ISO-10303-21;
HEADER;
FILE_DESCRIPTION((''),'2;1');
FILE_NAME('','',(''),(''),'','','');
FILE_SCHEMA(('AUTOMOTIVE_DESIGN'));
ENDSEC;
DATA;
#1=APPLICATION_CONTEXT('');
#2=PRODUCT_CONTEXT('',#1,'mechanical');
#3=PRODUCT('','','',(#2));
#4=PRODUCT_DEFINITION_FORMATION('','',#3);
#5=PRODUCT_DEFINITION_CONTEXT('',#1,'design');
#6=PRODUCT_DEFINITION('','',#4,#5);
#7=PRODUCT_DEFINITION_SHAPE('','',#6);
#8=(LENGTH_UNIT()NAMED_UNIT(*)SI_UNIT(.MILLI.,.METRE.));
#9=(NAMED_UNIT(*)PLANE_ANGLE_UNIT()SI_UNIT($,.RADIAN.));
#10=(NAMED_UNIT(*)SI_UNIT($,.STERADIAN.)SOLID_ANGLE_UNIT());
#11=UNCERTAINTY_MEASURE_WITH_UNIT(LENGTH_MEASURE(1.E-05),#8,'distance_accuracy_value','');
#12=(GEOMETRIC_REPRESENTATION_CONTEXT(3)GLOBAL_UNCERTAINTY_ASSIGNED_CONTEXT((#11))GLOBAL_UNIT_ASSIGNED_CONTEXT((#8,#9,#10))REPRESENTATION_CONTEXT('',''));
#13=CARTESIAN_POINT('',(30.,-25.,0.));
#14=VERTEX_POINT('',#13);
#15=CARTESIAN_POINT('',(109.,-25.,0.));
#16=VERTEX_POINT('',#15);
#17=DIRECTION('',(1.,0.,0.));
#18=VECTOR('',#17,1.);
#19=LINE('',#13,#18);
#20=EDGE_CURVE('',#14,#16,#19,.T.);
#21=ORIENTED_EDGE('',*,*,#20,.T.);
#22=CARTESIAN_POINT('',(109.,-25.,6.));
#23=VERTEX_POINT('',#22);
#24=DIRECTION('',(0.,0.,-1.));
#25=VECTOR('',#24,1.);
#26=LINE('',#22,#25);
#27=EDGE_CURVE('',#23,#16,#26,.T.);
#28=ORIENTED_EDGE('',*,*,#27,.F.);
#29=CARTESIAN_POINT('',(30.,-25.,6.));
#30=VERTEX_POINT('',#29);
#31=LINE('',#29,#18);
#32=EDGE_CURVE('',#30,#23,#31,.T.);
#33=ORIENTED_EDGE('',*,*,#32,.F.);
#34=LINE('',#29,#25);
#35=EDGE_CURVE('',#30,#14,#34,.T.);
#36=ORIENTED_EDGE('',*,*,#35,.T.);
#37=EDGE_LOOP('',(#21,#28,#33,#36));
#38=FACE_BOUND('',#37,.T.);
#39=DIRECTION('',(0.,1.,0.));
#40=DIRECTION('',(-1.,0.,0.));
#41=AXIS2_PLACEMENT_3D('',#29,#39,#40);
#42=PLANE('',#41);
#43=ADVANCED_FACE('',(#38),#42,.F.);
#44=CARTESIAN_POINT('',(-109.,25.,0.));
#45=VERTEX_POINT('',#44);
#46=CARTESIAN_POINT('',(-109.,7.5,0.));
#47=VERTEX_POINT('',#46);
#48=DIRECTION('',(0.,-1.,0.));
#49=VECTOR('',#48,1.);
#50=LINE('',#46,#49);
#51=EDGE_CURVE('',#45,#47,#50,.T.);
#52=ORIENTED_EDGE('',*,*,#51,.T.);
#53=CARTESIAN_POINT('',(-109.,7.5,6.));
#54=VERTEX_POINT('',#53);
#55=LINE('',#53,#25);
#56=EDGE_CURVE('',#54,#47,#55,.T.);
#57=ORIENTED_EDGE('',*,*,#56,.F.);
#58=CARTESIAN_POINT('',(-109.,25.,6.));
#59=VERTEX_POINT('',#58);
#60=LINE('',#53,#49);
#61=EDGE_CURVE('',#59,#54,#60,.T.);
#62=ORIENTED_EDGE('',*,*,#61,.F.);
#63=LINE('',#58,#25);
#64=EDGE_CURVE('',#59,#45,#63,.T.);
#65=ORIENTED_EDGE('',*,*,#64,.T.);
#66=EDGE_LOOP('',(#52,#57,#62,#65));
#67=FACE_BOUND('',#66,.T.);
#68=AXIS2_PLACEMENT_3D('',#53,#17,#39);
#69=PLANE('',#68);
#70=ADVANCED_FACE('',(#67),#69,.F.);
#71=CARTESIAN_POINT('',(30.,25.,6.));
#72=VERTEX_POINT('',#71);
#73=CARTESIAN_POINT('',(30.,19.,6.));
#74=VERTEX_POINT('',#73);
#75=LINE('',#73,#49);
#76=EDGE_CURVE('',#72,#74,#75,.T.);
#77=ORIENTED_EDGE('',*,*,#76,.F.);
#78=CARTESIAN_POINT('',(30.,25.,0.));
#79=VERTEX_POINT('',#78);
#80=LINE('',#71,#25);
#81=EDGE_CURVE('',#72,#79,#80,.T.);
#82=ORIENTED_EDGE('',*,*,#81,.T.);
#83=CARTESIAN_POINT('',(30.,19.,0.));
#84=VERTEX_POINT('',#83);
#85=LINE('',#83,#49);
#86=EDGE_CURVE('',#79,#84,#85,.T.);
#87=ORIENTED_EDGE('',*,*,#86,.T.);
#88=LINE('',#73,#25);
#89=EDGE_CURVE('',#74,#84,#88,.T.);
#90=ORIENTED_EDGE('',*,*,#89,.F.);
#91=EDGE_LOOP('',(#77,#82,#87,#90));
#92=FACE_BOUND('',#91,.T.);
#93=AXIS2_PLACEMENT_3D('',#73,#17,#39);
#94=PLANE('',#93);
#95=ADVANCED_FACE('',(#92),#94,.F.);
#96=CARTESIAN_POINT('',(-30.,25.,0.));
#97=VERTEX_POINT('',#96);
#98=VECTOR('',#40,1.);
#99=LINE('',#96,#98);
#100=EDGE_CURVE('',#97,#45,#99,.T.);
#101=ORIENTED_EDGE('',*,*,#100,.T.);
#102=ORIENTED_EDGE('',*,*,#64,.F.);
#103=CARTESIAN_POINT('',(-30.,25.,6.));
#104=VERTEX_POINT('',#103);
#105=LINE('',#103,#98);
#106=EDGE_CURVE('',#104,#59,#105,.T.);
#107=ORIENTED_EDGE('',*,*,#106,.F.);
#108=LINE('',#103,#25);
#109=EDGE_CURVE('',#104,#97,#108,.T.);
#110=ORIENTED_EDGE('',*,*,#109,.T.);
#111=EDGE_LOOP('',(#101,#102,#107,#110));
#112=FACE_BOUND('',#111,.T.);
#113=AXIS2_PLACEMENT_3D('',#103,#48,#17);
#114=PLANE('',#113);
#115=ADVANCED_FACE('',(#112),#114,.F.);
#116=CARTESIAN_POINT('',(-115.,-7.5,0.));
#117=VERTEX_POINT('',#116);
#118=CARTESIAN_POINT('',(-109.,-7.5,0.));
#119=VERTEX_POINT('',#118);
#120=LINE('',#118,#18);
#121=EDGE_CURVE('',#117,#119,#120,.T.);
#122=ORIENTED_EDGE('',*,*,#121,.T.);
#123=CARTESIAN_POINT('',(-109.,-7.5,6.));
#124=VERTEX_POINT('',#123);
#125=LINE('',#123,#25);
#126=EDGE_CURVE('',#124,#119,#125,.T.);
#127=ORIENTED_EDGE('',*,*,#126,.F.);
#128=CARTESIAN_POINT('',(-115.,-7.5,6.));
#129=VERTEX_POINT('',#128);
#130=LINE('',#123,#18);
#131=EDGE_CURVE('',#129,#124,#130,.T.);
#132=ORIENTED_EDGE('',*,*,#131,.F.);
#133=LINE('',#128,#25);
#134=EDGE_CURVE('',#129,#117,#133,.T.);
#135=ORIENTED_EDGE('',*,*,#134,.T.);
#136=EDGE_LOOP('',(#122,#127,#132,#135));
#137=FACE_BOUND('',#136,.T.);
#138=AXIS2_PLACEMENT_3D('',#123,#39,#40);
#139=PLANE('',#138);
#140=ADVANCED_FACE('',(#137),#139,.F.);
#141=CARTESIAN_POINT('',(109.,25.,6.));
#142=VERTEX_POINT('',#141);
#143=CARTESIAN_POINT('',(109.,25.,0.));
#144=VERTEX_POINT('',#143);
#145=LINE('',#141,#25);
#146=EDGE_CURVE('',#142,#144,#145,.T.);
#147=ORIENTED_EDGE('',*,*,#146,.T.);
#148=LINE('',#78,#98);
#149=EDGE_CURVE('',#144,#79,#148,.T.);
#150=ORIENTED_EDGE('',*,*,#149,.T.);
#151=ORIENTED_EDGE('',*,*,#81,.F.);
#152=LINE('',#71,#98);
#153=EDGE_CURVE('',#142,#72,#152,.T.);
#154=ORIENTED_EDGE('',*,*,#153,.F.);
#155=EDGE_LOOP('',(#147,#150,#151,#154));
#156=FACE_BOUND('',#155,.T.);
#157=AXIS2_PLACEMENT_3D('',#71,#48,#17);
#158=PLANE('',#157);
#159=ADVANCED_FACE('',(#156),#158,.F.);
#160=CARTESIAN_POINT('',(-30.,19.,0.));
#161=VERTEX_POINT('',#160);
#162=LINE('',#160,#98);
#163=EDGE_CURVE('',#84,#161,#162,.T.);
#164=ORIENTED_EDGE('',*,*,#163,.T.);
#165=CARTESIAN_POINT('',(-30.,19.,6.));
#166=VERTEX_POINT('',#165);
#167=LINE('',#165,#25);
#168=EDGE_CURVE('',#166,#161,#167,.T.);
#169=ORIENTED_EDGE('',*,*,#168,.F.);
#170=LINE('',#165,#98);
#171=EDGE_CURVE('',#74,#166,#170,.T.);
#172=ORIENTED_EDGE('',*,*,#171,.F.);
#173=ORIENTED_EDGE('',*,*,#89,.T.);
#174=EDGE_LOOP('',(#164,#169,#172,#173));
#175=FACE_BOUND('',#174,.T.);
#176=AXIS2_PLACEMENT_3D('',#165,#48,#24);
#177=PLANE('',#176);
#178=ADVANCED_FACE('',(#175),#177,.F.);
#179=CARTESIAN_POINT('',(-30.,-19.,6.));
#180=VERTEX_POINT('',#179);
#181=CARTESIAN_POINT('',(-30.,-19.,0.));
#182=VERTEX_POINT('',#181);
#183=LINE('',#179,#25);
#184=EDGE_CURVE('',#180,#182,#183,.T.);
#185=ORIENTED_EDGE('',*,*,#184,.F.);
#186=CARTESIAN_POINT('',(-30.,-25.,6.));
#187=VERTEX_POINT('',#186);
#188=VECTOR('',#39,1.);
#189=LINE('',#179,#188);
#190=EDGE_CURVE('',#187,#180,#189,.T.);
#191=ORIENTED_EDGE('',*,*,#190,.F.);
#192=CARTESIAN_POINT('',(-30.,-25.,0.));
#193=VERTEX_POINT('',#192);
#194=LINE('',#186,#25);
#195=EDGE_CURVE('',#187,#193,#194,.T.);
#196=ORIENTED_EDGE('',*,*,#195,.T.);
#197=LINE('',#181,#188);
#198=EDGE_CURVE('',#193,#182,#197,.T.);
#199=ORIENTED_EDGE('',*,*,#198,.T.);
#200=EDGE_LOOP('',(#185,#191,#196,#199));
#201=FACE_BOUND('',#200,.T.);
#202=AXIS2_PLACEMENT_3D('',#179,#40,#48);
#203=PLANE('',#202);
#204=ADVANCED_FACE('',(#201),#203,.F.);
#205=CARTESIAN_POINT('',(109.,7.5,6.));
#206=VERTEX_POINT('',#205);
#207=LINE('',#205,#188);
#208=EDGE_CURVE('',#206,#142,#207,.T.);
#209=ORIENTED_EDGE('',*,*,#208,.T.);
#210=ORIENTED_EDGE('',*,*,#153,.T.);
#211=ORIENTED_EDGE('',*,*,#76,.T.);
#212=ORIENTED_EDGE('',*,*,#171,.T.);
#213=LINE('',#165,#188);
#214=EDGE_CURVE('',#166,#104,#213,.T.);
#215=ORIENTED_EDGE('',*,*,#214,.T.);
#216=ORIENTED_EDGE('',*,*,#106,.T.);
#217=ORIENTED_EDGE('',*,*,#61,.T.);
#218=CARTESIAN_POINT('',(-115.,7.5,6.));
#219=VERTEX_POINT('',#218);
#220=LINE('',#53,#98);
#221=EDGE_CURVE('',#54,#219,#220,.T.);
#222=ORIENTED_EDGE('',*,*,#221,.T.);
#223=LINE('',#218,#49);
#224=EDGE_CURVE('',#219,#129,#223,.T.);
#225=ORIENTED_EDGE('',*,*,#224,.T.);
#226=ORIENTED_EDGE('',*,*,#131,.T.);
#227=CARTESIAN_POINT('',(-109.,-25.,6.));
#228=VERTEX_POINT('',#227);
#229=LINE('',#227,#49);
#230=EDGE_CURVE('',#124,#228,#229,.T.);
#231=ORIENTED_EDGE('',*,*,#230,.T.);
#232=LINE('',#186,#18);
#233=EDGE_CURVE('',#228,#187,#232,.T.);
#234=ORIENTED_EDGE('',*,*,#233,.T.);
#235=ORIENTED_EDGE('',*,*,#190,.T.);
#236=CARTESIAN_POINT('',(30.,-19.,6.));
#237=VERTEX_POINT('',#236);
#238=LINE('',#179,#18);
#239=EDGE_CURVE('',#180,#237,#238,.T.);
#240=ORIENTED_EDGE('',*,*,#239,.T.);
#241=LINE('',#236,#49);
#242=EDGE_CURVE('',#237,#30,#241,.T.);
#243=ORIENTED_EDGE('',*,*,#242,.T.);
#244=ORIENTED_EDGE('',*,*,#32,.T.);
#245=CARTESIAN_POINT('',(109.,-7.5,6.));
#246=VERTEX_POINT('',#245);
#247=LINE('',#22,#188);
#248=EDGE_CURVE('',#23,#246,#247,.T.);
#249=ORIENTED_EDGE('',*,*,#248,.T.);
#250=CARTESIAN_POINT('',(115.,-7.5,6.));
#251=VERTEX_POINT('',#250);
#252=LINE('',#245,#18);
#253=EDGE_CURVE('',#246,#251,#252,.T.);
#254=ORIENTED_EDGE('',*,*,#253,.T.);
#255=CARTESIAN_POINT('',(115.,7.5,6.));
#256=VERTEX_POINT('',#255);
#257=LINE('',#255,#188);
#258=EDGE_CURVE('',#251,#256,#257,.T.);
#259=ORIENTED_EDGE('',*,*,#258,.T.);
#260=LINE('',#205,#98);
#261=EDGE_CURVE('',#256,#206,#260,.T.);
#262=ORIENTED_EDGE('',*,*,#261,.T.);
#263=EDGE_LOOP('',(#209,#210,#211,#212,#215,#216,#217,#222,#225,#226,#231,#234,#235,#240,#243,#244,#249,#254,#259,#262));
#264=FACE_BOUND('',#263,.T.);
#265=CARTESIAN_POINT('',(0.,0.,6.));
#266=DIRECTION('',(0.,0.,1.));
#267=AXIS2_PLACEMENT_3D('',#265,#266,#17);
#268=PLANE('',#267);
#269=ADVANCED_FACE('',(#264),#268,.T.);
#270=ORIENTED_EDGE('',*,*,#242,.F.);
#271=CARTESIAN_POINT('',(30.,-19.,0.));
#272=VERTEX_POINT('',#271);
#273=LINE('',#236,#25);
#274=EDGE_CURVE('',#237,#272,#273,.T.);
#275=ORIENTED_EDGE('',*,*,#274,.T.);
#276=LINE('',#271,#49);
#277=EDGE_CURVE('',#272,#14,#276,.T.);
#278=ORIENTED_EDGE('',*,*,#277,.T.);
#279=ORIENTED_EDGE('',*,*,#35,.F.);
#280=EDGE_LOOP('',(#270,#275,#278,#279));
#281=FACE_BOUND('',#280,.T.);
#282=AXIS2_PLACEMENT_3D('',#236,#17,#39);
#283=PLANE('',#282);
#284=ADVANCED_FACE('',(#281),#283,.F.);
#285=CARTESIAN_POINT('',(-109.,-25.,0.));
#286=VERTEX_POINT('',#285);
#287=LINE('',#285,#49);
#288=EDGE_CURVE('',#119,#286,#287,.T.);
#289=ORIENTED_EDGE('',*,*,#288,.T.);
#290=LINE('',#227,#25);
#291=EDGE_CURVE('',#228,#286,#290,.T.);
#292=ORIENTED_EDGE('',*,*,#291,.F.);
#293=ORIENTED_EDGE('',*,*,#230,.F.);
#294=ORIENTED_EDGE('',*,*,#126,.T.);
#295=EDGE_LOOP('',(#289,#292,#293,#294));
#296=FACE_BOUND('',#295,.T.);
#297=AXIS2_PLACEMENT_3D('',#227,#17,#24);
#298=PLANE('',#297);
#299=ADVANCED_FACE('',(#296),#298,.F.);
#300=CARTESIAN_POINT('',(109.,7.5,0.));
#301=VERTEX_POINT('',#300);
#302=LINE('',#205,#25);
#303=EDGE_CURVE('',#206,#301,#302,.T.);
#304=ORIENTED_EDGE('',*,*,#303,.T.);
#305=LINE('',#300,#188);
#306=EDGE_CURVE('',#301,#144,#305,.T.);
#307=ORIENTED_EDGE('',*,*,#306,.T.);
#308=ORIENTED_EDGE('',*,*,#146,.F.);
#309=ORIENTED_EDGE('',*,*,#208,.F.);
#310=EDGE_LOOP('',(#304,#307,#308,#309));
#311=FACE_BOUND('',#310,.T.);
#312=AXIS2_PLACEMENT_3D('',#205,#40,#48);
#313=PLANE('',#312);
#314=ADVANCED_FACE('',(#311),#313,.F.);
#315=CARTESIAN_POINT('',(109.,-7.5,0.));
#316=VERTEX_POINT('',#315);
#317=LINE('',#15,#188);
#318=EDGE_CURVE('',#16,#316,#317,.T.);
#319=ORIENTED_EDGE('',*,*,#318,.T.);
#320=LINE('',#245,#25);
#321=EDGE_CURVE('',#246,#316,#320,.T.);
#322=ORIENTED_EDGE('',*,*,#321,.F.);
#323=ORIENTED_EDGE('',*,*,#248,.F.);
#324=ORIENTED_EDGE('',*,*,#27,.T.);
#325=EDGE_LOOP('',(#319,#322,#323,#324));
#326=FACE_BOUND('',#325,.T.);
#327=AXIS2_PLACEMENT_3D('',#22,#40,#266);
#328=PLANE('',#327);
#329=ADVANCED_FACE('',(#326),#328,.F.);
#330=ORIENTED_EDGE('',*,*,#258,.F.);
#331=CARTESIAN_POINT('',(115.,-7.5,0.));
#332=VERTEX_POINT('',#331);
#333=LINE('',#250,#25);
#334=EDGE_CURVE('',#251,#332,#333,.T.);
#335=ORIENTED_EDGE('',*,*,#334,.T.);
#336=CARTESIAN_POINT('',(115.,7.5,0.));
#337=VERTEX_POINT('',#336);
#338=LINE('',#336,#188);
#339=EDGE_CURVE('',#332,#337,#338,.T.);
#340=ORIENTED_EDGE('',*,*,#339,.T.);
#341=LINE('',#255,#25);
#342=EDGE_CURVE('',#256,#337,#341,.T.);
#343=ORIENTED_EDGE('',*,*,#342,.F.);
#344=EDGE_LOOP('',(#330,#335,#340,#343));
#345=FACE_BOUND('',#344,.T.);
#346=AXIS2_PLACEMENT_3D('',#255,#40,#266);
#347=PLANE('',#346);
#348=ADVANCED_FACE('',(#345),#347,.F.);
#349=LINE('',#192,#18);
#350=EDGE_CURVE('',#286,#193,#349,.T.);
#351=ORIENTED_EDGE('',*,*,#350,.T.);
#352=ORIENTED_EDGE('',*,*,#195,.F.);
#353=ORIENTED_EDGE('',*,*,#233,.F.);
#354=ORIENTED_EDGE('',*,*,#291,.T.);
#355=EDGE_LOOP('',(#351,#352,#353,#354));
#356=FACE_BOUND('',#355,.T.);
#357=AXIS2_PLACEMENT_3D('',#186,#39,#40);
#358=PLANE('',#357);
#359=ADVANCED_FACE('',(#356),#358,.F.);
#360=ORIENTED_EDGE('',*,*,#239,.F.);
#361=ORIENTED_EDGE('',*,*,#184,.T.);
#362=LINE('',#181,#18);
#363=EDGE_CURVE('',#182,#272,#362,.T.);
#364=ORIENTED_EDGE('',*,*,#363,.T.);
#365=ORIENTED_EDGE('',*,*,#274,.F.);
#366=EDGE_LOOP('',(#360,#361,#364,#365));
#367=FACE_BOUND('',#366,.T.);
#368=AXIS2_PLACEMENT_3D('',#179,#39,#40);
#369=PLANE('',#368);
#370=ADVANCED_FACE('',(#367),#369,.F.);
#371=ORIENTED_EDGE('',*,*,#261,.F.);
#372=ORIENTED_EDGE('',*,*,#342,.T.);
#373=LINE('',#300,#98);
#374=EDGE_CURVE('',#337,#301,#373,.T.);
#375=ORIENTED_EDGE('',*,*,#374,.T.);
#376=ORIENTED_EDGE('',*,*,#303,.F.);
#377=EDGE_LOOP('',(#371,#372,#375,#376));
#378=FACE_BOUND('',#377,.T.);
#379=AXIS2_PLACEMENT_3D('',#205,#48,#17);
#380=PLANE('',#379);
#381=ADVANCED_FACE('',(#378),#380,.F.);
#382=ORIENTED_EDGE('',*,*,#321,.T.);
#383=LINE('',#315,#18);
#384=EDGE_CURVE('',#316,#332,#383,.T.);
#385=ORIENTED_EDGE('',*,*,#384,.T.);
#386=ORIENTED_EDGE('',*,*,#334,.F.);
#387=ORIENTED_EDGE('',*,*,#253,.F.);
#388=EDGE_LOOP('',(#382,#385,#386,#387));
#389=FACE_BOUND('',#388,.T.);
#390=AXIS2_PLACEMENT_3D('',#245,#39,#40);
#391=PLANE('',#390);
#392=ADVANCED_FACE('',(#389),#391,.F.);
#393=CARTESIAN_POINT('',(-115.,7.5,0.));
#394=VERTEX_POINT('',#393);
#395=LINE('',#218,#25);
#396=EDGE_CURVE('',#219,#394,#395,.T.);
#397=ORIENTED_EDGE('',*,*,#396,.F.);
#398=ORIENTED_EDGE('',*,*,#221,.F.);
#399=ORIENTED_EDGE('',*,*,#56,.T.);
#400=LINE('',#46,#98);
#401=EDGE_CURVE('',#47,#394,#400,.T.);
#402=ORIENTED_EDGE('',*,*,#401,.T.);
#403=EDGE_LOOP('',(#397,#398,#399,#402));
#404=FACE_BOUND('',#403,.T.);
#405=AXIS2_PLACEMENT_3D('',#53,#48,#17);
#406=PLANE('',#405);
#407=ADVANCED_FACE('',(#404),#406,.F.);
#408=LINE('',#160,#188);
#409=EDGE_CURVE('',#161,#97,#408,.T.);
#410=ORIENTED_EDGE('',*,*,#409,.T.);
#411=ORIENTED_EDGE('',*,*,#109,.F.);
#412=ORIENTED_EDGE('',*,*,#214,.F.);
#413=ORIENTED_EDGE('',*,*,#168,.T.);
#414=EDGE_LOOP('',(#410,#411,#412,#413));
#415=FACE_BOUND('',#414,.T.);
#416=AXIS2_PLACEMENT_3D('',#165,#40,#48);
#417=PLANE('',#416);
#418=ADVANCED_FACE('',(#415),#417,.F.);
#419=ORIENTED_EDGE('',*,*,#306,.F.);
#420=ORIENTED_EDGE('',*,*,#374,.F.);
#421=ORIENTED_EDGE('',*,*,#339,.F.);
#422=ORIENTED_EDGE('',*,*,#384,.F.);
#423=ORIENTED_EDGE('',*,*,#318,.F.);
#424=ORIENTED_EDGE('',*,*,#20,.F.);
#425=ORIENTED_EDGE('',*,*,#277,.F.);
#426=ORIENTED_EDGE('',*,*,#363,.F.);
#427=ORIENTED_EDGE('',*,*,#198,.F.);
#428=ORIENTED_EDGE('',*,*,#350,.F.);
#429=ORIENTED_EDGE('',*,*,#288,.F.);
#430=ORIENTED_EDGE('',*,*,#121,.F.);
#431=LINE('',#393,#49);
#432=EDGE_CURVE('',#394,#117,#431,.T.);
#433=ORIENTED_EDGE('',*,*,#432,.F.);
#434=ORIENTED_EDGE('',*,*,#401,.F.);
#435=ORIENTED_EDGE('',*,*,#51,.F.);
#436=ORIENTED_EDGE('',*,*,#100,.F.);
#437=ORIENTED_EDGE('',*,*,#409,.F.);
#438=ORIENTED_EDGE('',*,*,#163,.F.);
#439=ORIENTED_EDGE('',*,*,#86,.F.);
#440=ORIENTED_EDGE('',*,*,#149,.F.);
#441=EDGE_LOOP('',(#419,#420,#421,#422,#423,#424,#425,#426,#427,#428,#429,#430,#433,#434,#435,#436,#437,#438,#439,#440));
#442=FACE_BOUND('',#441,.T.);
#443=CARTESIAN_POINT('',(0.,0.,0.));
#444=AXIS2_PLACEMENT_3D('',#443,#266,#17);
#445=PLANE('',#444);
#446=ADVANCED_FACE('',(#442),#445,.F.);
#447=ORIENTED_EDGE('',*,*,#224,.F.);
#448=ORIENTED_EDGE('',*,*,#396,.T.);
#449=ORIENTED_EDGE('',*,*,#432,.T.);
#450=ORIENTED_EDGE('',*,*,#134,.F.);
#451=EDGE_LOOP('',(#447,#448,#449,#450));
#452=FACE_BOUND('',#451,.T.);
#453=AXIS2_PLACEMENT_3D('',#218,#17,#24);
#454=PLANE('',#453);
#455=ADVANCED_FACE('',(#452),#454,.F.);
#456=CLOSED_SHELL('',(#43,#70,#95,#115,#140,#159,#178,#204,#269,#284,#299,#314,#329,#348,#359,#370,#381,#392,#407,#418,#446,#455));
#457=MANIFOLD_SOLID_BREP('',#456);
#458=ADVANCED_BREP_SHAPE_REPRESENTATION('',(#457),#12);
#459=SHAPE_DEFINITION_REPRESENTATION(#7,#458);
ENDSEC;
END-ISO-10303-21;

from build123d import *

# Parameters (mm, degrees)
SALIENTE_EXTRUIR1_DEPTH = 6


with BuildPart() as part:
    # Croquis1 → Saliente-Extruir1 (new body)
    with BuildSketch(Plane.XY):
        Polygon((-30, 19), (-30, 25), (-109, 25), (-109, 7.5), (-115, 7.5), (-115, -7.5), (-109, -7.5), (-109, -25), (-30, -25), (-30, -19), (30, -19), (30, -25), (109, -25), (109, -7.5), (115, -7.5), (115, 7.5), (109, 7.5), (109, 25), (30, 25), (30, 19), align=None)
    extrude(amount=SALIENTE_EXTRUIR1_DEPTH)


solid = part.part
